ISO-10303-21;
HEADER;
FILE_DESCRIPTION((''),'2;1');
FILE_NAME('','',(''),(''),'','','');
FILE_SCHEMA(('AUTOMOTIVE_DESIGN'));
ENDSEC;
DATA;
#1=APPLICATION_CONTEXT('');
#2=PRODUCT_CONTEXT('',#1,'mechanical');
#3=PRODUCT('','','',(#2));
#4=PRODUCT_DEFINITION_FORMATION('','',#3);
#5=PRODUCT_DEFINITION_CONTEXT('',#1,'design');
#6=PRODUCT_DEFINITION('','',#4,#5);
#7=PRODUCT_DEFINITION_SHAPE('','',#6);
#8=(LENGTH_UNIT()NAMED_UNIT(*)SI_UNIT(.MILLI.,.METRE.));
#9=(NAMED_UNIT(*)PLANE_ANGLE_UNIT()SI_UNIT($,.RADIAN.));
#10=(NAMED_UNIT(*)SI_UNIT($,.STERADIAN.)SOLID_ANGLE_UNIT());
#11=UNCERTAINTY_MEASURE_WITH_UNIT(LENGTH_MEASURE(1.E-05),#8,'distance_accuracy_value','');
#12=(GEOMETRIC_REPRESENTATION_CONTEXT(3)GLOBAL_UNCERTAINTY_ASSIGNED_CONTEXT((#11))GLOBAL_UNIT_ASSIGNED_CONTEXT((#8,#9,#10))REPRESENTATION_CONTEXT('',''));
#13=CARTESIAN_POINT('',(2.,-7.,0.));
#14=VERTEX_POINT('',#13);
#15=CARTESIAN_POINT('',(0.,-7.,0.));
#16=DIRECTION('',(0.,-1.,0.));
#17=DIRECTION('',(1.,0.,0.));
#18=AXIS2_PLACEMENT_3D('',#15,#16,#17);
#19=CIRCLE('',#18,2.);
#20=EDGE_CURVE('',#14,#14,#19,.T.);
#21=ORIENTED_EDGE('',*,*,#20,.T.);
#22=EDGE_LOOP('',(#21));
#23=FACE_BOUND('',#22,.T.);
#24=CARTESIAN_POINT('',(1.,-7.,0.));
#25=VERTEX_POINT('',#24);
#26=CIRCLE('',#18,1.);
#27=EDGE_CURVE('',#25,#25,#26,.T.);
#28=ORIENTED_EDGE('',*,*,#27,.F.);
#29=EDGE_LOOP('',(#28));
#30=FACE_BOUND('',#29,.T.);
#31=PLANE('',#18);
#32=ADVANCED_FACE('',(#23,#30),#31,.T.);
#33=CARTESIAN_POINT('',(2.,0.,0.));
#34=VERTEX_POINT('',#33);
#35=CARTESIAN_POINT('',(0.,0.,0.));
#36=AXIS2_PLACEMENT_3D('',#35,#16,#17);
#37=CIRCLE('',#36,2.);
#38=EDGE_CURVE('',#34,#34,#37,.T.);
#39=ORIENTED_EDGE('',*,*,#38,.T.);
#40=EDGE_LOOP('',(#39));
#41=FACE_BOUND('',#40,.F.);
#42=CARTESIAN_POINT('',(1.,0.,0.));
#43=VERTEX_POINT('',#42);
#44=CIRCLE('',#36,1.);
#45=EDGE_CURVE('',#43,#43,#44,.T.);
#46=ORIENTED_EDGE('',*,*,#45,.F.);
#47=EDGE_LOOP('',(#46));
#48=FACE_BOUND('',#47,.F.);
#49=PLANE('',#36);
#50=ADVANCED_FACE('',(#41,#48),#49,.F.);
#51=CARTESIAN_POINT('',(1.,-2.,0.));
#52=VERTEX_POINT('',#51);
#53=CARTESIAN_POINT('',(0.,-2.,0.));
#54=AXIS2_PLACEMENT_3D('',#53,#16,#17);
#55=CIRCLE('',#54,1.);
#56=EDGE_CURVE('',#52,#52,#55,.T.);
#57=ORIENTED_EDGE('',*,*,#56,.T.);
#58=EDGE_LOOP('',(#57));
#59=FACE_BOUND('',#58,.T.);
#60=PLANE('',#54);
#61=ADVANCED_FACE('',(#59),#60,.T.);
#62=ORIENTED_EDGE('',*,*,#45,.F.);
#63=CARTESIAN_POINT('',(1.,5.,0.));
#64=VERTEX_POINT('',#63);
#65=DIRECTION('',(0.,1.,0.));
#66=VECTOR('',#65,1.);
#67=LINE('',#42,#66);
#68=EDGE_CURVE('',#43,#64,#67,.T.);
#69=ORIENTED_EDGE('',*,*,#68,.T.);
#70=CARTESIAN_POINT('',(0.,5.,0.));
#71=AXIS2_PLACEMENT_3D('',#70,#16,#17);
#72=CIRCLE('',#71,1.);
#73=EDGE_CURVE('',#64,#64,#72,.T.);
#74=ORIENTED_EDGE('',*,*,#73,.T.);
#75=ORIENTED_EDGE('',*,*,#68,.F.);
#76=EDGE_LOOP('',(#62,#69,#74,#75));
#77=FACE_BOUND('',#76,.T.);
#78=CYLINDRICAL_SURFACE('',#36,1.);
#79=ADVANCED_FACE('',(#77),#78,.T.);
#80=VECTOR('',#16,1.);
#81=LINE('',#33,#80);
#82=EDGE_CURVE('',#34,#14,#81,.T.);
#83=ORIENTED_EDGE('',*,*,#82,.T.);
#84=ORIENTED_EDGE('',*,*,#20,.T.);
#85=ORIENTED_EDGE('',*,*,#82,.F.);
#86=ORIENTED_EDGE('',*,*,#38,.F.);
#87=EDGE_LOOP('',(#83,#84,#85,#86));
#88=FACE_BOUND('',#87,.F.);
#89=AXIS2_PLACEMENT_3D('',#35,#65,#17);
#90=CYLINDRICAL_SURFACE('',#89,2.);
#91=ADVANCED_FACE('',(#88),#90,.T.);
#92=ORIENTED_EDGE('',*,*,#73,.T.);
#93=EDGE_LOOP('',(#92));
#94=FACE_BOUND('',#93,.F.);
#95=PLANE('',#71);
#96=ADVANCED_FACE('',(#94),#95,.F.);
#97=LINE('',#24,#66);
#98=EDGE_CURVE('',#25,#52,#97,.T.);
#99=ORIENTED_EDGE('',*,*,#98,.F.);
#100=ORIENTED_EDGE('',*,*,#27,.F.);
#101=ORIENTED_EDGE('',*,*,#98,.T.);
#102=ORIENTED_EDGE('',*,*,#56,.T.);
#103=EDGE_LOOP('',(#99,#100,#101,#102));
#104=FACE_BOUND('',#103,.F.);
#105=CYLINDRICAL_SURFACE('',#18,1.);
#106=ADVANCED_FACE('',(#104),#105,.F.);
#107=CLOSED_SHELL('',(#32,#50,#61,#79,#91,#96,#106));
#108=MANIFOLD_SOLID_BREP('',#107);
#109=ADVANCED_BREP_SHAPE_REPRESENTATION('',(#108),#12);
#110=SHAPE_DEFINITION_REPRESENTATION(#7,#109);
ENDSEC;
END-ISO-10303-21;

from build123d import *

# Parameters (mm, degrees)
F0_R     = 2
F1_DEPTH = 7
F2_R     = 1
F3_DEPTH = 5
F4_R     = 1
F5_DEPTH = 5


with BuildPart() as f1:
    # F0 (on Front) → F1 (new body)
    with BuildSketch(Plane.XZ):
        Circle(F0_R)
    extrude(amount=F1_DEPTH)

    # F2 (on Front) → F3 (join)
    with BuildSketch(Plane.XZ):
        Circle(F2_R)
    extrude(amount=-F3_DEPTH)

    # F4 (on face) → F5 (cut)
    with BuildSketch(Plane.XZ.offset(7)):
        Circle(F4_R)
    extrude(amount=-F5_DEPTH, mode=Mode.SUBTRACT)


solid = f1.part
